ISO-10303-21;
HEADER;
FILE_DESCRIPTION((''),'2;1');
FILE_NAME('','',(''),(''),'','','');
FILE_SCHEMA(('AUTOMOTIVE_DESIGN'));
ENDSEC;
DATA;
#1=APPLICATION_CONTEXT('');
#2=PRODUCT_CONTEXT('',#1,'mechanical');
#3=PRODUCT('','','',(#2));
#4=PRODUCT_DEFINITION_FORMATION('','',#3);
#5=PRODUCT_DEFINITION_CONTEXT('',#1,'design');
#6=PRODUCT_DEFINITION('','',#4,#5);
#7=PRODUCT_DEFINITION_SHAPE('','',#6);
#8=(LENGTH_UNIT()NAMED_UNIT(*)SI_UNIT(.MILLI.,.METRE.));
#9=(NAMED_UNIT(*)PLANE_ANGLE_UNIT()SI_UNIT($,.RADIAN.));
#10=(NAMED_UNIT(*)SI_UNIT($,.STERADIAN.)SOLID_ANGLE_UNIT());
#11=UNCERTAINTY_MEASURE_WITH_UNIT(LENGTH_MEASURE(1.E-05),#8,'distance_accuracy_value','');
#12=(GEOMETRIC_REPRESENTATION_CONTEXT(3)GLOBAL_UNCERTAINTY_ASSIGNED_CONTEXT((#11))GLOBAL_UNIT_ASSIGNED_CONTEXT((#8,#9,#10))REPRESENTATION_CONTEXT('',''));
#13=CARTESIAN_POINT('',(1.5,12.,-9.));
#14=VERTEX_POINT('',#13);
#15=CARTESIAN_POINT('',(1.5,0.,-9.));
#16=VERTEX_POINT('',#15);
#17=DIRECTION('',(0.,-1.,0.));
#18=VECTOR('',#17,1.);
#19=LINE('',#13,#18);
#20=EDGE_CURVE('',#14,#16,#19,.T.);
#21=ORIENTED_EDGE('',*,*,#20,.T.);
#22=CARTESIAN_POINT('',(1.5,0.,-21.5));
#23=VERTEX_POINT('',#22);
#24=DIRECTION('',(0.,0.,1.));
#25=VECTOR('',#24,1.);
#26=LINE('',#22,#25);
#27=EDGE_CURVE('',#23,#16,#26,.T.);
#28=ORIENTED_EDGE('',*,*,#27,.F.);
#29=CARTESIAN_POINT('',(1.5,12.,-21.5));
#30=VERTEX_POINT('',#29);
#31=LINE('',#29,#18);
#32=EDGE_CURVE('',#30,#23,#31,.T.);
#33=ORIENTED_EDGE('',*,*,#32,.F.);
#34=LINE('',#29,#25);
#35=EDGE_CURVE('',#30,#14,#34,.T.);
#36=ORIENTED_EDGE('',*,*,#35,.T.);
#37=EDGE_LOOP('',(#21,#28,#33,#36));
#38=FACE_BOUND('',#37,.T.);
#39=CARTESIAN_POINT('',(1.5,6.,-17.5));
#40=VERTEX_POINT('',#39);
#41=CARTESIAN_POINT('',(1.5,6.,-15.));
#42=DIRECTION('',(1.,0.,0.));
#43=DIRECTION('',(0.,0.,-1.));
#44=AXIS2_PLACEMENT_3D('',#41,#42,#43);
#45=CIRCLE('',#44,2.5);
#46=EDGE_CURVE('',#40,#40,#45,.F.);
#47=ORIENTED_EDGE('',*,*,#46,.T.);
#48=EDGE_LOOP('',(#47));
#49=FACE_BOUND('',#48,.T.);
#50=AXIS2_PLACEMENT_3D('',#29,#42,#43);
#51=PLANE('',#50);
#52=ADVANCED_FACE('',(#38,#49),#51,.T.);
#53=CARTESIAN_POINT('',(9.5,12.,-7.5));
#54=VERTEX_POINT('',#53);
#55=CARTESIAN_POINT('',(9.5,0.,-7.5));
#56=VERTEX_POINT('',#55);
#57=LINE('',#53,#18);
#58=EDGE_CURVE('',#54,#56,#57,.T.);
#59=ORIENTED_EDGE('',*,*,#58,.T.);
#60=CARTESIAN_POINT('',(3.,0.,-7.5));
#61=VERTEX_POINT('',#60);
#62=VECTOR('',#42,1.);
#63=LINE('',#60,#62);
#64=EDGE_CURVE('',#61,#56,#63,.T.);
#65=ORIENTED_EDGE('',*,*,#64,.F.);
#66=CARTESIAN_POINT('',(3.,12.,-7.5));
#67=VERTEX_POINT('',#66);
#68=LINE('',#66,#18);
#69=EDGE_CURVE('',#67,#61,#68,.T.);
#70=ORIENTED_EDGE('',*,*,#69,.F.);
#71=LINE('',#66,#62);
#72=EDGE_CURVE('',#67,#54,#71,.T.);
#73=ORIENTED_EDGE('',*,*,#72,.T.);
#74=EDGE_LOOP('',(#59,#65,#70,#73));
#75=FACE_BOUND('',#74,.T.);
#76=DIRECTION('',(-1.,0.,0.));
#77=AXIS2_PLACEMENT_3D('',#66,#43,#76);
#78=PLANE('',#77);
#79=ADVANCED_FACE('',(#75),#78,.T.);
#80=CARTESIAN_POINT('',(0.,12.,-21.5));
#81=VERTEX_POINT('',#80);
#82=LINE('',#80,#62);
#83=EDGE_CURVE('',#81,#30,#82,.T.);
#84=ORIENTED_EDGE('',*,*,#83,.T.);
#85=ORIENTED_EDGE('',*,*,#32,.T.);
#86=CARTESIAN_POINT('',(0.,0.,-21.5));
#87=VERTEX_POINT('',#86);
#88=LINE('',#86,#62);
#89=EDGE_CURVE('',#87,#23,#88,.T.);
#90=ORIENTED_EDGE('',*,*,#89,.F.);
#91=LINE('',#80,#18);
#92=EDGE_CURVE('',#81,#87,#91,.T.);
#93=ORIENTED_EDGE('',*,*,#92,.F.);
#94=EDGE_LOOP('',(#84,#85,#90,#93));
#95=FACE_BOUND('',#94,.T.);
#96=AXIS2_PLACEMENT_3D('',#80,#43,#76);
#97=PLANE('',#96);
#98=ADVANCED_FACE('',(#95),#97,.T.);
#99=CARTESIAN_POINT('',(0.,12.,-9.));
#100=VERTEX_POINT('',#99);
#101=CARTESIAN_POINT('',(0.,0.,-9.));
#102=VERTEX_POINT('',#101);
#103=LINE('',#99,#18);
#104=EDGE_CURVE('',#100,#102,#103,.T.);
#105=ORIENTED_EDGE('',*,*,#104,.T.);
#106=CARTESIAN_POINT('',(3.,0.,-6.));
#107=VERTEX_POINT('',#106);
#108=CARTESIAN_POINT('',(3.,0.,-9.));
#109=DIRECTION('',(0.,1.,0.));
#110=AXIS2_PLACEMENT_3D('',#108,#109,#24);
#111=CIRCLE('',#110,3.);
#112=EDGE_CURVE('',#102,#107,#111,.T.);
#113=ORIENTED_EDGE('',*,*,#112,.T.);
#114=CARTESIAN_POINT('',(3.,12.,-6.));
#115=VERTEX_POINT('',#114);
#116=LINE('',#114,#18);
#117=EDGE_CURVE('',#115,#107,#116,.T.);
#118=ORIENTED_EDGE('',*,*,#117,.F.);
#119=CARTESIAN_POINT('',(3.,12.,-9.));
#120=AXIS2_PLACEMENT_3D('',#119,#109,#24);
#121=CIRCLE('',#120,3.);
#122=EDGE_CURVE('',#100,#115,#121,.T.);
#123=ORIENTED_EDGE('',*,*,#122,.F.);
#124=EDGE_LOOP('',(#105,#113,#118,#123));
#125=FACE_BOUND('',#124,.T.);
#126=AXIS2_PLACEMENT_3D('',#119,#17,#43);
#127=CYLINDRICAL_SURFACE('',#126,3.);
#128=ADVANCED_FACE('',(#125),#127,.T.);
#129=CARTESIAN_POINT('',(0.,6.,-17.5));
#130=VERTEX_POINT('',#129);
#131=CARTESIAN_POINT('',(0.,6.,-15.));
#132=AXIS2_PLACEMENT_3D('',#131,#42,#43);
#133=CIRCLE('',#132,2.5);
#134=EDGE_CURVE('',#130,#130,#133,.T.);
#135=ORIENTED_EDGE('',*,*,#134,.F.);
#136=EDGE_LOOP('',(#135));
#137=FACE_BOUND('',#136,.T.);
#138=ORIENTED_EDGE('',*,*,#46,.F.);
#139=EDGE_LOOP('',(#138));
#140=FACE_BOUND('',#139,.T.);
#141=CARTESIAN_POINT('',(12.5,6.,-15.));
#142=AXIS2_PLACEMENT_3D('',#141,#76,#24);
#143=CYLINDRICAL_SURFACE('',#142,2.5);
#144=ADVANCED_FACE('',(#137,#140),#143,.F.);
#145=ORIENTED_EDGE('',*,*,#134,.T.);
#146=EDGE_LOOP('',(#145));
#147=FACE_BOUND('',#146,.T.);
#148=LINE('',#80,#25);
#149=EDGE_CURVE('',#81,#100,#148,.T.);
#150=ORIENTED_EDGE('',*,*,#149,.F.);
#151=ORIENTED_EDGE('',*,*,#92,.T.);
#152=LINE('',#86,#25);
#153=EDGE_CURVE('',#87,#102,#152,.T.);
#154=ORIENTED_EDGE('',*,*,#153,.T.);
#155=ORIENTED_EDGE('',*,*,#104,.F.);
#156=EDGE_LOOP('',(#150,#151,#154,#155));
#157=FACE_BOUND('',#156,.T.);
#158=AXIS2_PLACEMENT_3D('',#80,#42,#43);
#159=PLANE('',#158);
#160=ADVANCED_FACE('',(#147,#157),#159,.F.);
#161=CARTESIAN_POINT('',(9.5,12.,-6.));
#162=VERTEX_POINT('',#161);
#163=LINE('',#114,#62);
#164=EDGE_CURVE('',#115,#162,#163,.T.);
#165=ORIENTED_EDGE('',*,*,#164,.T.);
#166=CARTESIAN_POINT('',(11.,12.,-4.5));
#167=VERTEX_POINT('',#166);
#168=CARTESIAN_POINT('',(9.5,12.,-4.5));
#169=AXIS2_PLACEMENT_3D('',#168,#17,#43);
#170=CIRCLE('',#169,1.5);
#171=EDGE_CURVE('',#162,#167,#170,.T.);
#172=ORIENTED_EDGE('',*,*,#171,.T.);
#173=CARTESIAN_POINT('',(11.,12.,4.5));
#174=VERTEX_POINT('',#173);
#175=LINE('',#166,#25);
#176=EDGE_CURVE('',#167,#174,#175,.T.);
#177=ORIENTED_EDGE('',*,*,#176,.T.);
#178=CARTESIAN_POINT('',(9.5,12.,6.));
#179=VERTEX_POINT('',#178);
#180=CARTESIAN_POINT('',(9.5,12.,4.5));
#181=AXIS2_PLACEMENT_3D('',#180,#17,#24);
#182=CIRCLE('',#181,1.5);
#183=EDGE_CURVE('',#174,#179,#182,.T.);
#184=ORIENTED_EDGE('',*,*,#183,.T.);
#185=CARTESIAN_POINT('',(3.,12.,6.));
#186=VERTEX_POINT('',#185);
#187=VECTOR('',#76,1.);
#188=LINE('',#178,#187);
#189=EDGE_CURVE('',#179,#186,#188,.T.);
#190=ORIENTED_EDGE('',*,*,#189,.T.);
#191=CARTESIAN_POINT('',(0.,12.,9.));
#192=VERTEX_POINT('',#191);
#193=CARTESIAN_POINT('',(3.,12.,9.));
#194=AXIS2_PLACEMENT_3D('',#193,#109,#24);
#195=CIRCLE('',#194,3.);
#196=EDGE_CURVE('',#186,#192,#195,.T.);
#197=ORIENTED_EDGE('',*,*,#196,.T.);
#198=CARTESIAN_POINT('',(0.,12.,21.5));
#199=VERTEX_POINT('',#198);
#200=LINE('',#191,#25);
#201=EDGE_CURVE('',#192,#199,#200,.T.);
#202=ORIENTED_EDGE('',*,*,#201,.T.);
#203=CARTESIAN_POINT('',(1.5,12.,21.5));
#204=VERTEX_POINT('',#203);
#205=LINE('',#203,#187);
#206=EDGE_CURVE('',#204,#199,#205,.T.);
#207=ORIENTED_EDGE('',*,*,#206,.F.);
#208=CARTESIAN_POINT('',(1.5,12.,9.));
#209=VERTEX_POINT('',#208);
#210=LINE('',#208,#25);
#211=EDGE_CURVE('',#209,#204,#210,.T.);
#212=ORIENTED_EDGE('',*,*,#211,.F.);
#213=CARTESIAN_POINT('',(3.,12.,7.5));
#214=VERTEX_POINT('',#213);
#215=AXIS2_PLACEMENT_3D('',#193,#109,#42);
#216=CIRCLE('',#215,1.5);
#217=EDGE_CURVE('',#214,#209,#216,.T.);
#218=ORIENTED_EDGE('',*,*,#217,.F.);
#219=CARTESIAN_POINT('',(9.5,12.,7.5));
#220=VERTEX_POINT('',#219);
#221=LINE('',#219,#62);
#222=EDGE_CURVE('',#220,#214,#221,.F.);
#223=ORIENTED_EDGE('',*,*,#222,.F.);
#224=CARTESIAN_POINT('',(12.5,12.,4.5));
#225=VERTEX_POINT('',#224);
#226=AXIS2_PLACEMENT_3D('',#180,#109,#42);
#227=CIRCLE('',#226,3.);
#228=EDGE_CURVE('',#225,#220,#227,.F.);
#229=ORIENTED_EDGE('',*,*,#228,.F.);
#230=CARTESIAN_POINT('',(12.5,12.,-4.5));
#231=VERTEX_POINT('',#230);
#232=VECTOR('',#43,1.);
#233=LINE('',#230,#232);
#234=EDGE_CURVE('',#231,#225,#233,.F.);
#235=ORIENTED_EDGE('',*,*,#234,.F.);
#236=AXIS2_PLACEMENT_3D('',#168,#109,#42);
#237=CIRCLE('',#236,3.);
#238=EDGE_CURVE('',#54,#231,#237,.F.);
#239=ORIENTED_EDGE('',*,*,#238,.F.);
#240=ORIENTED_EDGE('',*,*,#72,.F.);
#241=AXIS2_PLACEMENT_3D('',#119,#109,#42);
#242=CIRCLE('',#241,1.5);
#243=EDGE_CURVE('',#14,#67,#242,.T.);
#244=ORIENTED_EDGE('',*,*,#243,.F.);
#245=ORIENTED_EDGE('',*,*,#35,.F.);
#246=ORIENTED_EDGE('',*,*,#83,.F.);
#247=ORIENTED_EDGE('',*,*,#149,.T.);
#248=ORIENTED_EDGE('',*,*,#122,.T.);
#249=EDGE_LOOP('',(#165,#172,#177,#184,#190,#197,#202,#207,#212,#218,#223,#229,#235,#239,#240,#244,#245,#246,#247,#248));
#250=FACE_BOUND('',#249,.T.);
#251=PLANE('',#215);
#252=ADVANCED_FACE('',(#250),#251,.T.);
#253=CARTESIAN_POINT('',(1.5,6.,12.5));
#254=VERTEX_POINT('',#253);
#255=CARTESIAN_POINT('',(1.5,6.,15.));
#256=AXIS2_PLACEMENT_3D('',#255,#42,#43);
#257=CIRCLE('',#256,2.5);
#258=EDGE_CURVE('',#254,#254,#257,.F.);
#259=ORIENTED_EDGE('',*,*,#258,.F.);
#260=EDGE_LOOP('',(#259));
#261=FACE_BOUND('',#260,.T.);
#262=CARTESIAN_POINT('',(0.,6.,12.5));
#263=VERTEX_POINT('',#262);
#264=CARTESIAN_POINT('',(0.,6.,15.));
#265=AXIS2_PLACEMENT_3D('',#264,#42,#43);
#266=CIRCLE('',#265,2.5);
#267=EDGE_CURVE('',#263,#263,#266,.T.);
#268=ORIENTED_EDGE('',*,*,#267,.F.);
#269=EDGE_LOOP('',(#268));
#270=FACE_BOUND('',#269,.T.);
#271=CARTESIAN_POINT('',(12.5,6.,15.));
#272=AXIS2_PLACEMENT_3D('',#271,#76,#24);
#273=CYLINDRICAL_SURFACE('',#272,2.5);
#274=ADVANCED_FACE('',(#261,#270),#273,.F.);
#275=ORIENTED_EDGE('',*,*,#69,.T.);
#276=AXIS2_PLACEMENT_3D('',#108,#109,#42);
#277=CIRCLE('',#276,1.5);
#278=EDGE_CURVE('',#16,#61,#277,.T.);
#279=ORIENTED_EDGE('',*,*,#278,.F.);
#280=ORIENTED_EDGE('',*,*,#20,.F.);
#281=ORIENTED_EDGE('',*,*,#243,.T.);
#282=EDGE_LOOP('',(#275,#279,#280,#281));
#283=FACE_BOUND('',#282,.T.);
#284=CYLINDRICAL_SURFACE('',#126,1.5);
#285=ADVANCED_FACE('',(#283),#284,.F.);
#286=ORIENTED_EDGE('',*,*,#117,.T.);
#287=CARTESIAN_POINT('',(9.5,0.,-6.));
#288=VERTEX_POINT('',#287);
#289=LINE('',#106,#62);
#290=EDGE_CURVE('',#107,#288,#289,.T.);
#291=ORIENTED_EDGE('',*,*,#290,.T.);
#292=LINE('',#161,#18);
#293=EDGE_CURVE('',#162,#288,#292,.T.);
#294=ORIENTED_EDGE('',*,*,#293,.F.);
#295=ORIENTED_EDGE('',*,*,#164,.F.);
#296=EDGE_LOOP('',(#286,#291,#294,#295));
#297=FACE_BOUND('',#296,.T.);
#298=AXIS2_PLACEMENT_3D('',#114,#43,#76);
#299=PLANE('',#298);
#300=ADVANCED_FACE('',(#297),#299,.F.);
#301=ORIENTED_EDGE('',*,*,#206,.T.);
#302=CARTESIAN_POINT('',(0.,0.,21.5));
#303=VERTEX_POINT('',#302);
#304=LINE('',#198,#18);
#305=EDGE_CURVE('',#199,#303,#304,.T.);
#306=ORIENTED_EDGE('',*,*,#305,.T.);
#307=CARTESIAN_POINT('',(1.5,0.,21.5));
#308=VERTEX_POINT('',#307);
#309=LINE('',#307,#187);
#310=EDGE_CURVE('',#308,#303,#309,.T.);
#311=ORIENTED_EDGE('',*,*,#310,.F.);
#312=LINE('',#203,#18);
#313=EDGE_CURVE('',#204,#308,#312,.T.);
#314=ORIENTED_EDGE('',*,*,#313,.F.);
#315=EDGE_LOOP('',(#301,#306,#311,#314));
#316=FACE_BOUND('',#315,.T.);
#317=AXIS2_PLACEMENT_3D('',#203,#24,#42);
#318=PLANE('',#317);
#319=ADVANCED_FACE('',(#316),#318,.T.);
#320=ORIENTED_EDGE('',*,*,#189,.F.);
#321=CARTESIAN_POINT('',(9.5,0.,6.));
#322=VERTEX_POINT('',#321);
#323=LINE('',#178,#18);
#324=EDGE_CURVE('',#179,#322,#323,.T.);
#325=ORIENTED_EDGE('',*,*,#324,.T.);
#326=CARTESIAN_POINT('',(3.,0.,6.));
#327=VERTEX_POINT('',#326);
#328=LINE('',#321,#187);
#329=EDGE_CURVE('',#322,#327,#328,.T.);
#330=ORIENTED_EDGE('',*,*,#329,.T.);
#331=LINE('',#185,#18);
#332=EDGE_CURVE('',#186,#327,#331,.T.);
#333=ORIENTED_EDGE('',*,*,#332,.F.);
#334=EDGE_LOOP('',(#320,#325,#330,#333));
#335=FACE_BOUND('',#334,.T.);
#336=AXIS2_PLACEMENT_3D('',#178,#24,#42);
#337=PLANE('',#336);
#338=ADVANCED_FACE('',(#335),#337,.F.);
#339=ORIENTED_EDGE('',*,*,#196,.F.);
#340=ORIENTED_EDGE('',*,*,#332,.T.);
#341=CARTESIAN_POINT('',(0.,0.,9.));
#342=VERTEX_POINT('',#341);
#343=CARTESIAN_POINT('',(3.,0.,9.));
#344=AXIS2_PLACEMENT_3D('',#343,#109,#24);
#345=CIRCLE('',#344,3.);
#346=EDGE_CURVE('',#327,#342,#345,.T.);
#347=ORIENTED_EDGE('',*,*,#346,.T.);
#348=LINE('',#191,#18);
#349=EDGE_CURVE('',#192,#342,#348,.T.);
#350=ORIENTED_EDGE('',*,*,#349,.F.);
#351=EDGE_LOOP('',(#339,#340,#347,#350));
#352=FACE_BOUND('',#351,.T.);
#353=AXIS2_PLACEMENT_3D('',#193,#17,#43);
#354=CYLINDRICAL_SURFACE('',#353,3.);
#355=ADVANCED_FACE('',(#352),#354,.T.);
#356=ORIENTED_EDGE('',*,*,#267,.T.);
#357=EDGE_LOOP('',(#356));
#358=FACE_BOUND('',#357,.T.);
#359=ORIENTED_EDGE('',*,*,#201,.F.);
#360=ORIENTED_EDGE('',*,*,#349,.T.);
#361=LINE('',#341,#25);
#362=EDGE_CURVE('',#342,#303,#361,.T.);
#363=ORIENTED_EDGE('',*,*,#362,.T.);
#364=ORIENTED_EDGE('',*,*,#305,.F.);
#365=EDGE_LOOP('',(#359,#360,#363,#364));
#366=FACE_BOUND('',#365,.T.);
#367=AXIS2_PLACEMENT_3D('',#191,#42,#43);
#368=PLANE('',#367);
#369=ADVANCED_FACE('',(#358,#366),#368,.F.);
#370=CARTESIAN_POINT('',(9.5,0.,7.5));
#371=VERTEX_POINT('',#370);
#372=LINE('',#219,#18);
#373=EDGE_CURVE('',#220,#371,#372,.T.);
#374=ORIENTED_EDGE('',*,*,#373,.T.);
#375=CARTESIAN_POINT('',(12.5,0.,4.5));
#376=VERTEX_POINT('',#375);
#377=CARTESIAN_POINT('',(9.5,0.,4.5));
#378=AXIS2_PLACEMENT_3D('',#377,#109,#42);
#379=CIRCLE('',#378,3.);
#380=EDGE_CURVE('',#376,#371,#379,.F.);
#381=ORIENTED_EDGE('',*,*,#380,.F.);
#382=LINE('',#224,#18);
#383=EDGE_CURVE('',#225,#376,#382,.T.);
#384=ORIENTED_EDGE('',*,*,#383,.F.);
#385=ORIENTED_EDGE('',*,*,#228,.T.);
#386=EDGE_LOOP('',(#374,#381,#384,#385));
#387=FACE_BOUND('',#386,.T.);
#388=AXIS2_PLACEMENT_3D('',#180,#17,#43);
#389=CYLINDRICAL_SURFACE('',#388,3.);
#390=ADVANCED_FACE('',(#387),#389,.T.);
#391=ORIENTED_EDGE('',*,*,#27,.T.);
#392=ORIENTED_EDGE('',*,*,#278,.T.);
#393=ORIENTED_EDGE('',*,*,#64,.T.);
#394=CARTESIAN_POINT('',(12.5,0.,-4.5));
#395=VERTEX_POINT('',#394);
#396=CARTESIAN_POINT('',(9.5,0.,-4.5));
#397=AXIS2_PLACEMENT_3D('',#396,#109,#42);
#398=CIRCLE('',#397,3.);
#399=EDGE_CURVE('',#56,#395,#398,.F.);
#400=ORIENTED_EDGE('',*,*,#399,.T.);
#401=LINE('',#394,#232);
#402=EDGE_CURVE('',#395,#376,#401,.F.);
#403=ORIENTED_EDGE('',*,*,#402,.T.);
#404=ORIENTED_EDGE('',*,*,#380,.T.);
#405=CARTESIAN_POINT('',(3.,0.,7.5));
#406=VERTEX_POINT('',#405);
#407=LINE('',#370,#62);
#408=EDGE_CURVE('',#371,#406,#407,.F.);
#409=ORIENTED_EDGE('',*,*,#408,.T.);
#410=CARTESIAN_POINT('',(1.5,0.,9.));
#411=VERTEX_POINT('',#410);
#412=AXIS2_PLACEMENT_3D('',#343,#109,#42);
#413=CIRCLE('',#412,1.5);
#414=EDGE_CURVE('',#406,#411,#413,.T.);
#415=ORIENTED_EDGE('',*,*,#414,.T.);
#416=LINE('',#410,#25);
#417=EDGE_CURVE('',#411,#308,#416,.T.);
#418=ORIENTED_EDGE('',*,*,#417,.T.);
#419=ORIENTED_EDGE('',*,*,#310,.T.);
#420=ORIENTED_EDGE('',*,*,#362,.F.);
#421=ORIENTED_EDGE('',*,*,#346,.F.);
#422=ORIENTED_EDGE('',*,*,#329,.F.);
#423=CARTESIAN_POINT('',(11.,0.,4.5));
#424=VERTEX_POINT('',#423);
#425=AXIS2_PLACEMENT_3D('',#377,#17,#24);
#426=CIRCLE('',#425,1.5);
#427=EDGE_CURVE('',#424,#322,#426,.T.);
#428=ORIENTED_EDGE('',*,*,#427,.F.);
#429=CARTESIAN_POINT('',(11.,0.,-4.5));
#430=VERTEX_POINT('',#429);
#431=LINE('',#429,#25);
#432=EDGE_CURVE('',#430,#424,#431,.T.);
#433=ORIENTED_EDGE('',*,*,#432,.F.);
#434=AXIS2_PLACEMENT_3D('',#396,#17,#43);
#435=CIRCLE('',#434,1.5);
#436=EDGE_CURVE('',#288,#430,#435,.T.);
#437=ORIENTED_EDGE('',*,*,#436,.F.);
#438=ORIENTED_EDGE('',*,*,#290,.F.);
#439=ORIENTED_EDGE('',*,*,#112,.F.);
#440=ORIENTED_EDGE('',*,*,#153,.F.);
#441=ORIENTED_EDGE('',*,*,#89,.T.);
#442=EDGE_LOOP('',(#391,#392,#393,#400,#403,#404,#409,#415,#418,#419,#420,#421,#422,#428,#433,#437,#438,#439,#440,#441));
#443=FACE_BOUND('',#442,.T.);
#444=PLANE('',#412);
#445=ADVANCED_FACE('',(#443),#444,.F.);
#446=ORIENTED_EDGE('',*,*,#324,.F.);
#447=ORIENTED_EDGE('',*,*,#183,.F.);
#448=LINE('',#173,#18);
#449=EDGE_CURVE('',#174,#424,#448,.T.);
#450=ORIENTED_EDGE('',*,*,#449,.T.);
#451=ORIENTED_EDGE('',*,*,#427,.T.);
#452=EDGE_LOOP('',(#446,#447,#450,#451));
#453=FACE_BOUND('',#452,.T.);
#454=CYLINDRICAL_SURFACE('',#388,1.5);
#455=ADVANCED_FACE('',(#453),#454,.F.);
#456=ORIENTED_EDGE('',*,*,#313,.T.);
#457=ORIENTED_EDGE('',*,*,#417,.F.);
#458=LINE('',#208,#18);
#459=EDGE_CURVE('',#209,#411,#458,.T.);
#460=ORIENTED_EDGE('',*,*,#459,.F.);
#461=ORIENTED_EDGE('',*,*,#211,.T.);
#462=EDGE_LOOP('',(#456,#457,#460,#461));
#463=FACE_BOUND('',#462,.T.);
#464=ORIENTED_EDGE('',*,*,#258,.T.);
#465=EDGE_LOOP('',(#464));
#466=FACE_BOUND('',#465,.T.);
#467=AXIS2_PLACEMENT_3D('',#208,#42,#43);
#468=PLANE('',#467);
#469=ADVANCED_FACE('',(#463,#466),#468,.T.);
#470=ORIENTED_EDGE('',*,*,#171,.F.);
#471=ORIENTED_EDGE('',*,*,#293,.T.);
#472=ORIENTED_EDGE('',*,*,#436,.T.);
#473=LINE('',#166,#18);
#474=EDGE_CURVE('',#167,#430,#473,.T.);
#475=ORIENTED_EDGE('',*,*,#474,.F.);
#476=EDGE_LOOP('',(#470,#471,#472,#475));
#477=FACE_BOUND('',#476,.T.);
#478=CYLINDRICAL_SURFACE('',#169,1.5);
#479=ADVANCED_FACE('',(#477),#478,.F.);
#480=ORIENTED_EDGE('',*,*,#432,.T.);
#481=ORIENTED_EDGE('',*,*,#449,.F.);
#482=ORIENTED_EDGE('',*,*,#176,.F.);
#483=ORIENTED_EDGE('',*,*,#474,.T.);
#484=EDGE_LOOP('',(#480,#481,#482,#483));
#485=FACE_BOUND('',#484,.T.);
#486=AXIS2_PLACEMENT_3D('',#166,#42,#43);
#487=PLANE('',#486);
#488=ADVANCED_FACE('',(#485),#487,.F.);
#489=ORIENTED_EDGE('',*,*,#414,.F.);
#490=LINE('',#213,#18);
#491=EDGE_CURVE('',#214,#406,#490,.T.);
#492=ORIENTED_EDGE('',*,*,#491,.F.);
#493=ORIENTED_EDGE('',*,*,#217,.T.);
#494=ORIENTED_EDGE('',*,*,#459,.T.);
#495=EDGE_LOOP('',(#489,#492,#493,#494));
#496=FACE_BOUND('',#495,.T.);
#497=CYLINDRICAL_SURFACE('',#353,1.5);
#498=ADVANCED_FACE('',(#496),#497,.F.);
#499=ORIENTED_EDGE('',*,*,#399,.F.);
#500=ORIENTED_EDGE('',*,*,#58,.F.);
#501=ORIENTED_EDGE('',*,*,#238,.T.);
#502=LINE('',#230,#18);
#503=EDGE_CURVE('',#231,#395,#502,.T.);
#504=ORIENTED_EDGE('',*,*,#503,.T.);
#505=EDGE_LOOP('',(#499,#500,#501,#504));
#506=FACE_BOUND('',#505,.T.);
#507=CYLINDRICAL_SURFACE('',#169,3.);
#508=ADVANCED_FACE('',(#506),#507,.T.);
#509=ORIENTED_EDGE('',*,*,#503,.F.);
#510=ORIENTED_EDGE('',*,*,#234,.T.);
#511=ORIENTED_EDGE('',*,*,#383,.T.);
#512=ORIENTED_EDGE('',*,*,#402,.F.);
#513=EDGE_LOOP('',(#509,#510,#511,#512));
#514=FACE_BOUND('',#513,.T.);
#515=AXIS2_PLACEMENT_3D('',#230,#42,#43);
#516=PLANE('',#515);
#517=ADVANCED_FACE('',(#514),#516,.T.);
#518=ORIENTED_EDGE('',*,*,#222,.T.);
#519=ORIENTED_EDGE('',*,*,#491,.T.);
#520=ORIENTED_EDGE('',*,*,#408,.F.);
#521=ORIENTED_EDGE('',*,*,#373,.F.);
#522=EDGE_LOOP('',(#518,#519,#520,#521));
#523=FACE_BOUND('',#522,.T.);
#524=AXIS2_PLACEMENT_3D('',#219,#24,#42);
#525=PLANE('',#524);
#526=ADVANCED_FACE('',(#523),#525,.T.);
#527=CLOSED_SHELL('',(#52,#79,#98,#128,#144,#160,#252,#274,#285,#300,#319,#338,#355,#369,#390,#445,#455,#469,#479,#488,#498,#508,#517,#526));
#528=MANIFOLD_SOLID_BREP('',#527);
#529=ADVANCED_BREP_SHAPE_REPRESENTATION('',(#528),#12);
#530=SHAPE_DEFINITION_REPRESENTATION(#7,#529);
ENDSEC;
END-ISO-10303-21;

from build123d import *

# Parameters (mm, degrees)
EXTRUDE_THIN1_DEPTH = 12
SKETCH2_R           = 2.5
CUT_EXTRUDE1_DEPTH  = 28.613402543


with BuildPart() as part:
    # Sketch1 → Extrude-Thin1 (new body)
    with BuildSketch(Plane(origin=(0, 0, 0), x_dir=(1, 0, 0), z_dir=(0, 1, 0))):
        with BuildLine():
            Line((0, 21.5), (0, 9))
            ThreePointArc((0, 9), (0.878679656, 6.878679656), (3, 6))
            Line((3, 6), (9.5, 6))
            ThreePointArc((9.5, 6), (10.560660172, 5.560660172), (11, 4.5))
            Line((11, 4.5), (11, -4.5))
            ThreePointArc((11, -4.5), (10.560660172, -5.560660172), (9.5, -6))
            Line((9.5, -6), (3, -6))
            ThreePointArc((3, -6), (0.878679656, -6.878679656), (0, -9))
            Line((0, -9), (0, -21.5))
            Line((0, -21.5), (1.5, -21.5))
            Line((1.5, -21.5), (1.5, -9))
            ThreePointArc((1.5, -9), (1.939339828, -7.939339828), (3, -7.5))
            Line((3, -7.5), (9.5, -7.5))
            ThreePointArc((9.5, -7.5), (11.621320344, -6.621320344), (12.5, -4.5))
            Line((12.5, -4.5), (12.5, 4.5))
            ThreePointArc((12.5, 4.5), (11.621320344, 6.621320344), (9.5, 7.5))
            Line((9.5, 7.5), (3, 7.5))
            ThreePointArc((3, 7.5), (1.939339828, 7.939339828), (1.5, 9))
            Line((1.5, 9), (1.5, 21.5))
            Line((1.5, 21.5), (0, 21.5))
        make_face()
    extrude(amount=EXTRUDE_THIN1_DEPTH)

    # Sketch2 → Cut-Extrude1 (cut, through all)
    with BuildSketch(Plane(origin=(0, 0, 0), x_dir=(0, 0, -1), z_dir=(1, 0, 0))):
        with Locations((-15, 6)):
            Circle(SKETCH2_R)
        with Locations((15, 6)):
            Circle(SKETCH2_R)
    extrude(amount=CUT_EXTRUDE1_DEPTH, mode=Mode.SUBTRACT)


solid = part.part
